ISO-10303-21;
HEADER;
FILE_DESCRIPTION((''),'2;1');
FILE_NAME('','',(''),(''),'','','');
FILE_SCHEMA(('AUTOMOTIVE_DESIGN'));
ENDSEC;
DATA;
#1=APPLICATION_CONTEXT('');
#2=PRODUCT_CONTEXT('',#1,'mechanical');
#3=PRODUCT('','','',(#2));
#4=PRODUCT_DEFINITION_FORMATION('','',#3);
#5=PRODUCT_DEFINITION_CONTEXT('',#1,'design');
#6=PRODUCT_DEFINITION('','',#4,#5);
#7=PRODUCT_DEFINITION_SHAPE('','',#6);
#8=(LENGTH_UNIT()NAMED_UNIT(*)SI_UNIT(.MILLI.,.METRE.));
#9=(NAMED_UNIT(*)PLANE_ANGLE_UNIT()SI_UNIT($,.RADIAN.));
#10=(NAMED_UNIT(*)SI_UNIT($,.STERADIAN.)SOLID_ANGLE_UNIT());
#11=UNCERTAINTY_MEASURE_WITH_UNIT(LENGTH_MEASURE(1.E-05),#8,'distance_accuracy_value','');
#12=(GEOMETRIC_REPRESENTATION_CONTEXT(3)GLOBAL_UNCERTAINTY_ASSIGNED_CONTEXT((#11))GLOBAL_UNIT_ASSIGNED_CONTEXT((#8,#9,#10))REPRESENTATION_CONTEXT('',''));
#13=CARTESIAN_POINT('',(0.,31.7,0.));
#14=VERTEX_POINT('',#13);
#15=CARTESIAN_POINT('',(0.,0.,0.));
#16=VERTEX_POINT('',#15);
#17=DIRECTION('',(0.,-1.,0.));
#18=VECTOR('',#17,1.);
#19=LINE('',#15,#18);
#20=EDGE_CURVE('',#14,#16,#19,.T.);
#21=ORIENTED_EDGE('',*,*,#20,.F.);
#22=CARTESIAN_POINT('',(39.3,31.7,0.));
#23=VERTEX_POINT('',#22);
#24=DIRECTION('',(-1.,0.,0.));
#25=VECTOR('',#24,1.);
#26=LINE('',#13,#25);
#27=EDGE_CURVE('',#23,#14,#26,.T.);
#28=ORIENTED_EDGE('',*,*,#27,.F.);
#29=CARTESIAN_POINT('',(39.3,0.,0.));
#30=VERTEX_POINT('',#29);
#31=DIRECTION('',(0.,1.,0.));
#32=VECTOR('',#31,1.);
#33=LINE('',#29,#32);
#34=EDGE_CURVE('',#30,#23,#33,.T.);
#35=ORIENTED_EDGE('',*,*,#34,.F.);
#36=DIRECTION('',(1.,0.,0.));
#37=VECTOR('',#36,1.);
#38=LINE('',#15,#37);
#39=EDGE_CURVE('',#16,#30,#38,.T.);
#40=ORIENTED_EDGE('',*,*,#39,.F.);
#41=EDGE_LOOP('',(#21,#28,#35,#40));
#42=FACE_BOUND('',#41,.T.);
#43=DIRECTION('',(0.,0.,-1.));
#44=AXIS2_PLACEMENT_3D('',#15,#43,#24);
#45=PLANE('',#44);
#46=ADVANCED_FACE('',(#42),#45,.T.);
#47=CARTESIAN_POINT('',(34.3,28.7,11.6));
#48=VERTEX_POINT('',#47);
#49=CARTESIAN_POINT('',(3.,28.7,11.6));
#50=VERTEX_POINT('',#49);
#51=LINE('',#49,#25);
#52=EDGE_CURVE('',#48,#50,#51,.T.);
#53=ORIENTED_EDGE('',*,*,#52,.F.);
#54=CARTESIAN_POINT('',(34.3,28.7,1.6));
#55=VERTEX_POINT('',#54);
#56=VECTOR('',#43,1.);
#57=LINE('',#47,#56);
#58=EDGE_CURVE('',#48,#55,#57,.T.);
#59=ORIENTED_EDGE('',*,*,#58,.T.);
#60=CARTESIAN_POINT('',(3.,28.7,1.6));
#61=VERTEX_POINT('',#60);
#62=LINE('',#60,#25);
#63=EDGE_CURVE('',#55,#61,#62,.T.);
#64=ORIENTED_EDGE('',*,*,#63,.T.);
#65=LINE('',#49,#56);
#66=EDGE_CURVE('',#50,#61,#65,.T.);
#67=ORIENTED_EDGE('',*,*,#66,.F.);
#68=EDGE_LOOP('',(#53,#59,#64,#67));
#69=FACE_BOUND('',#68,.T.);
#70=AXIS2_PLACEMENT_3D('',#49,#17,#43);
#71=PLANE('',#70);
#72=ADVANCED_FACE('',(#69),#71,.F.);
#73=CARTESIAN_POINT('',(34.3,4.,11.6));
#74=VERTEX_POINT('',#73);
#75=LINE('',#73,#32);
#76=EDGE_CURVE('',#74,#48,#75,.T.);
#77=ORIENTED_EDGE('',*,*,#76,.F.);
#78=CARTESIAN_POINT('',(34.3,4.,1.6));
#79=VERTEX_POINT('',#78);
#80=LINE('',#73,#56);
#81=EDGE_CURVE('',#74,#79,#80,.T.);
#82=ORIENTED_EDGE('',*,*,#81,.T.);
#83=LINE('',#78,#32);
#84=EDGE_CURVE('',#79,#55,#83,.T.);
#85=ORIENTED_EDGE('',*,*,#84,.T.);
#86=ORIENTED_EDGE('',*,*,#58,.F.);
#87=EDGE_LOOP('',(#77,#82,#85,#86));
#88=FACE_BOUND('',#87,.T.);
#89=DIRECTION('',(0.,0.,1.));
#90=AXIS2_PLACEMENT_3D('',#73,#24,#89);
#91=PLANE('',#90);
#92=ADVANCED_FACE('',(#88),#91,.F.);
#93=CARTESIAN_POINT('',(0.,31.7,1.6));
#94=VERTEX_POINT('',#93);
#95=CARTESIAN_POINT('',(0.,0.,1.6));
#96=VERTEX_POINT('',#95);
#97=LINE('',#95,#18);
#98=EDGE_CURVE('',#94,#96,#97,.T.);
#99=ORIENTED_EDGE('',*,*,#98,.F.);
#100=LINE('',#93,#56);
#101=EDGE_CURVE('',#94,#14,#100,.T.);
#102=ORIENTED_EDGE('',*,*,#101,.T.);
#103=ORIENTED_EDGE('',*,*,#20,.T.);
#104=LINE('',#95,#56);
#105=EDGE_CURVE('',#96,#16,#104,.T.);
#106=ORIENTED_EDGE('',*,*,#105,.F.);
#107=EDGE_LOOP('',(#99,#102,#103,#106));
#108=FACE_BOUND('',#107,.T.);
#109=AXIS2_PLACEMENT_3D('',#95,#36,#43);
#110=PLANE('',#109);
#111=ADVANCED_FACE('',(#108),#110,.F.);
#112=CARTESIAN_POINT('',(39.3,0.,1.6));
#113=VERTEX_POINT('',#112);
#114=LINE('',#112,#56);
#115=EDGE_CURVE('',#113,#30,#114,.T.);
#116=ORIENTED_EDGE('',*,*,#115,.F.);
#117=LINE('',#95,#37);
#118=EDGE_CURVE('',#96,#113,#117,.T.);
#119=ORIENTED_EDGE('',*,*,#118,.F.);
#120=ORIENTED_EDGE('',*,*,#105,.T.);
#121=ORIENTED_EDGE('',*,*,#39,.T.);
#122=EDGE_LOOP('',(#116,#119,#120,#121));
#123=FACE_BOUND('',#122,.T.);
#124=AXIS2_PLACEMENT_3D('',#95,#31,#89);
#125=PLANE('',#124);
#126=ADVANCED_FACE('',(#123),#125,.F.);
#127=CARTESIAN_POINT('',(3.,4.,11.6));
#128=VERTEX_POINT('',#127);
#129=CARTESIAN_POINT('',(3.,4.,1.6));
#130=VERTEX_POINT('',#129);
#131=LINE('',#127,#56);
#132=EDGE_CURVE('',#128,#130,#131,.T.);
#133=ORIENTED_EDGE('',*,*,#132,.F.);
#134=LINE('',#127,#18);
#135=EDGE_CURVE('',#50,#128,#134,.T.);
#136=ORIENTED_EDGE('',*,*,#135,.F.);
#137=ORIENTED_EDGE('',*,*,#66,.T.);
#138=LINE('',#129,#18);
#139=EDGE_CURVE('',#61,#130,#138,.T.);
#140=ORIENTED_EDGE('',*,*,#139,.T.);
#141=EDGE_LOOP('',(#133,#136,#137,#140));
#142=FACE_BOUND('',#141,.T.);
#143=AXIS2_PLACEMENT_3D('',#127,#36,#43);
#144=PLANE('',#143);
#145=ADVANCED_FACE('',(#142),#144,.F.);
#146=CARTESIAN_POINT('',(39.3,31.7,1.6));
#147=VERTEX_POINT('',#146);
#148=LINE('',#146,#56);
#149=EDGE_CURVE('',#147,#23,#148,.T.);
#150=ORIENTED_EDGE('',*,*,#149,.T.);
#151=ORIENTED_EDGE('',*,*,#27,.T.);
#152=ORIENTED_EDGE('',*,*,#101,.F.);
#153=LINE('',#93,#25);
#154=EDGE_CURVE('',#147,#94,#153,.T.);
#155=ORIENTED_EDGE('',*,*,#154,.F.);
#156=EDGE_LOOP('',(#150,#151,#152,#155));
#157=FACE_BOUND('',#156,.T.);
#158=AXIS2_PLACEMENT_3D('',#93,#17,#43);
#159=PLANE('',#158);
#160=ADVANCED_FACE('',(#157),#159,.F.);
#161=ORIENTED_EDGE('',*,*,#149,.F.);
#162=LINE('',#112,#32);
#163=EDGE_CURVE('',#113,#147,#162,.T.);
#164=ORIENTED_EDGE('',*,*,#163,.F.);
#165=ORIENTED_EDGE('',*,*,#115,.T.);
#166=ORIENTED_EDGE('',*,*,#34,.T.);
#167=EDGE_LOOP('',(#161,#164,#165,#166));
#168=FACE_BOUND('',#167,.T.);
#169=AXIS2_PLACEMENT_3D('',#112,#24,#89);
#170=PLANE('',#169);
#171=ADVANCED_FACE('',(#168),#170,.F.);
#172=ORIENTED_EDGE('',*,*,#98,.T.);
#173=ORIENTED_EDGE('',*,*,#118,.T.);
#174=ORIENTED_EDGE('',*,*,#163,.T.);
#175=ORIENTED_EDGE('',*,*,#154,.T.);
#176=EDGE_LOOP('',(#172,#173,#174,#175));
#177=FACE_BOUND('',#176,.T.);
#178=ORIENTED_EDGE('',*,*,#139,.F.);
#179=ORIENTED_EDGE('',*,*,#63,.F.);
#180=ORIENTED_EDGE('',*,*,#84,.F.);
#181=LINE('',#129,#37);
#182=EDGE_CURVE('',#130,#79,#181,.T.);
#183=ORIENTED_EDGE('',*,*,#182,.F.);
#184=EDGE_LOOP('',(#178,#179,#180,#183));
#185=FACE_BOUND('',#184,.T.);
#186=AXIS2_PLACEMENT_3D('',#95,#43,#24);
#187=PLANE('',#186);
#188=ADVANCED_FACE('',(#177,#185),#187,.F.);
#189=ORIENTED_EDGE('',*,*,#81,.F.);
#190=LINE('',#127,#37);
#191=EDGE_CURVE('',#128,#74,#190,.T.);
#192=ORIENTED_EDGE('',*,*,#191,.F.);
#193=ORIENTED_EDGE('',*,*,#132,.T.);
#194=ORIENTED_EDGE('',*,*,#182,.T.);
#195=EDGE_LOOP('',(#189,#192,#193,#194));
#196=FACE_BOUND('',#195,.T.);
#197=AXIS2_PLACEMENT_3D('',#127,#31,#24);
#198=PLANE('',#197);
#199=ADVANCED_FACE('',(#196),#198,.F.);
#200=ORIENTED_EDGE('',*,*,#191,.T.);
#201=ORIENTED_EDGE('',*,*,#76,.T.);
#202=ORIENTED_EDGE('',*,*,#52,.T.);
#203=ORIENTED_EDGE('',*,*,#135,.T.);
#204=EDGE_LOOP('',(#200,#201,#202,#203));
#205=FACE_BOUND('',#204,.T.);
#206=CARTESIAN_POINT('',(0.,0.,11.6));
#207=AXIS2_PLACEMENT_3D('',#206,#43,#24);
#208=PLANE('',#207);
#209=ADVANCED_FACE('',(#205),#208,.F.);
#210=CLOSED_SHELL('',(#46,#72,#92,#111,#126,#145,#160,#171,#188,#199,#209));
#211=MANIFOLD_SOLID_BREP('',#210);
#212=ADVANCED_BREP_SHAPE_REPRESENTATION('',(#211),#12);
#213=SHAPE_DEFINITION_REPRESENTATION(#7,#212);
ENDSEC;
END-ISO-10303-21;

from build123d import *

# Parameters (mm, degrees)
ESQUISSE1_W        = 39.3
ESQUISSE1_H        = 31.7
BOSS_EXTRU_1_DEPTH = 1.6
ESQUISSE2_W        = 31.3
ESQUISSE2_H        = 24.7
BOSS_EXTRU_2_DEPTH = 10


with BuildPart() as part:
    # Esquisse1 → Boss.-Extru.1 (new body)
    with BuildSketch(Plane.XY):
        with Locations((19.65, 15.85)):
            Rectangle(ESQUISSE1_W, ESQUISSE1_H)
    extrude(amount=BOSS_EXTRU_1_DEPTH)

    # Esquisse2 → Boss.-Extru.2 (add)
    with BuildSketch(Plane.XY.offset(1.6)):
        with Locations((18.65, 16.35)):
            Rectangle(ESQUISSE2_W, ESQUISSE2_H)
    extrude(amount=BOSS_EXTRU_2_DEPTH)


solid = part.part
